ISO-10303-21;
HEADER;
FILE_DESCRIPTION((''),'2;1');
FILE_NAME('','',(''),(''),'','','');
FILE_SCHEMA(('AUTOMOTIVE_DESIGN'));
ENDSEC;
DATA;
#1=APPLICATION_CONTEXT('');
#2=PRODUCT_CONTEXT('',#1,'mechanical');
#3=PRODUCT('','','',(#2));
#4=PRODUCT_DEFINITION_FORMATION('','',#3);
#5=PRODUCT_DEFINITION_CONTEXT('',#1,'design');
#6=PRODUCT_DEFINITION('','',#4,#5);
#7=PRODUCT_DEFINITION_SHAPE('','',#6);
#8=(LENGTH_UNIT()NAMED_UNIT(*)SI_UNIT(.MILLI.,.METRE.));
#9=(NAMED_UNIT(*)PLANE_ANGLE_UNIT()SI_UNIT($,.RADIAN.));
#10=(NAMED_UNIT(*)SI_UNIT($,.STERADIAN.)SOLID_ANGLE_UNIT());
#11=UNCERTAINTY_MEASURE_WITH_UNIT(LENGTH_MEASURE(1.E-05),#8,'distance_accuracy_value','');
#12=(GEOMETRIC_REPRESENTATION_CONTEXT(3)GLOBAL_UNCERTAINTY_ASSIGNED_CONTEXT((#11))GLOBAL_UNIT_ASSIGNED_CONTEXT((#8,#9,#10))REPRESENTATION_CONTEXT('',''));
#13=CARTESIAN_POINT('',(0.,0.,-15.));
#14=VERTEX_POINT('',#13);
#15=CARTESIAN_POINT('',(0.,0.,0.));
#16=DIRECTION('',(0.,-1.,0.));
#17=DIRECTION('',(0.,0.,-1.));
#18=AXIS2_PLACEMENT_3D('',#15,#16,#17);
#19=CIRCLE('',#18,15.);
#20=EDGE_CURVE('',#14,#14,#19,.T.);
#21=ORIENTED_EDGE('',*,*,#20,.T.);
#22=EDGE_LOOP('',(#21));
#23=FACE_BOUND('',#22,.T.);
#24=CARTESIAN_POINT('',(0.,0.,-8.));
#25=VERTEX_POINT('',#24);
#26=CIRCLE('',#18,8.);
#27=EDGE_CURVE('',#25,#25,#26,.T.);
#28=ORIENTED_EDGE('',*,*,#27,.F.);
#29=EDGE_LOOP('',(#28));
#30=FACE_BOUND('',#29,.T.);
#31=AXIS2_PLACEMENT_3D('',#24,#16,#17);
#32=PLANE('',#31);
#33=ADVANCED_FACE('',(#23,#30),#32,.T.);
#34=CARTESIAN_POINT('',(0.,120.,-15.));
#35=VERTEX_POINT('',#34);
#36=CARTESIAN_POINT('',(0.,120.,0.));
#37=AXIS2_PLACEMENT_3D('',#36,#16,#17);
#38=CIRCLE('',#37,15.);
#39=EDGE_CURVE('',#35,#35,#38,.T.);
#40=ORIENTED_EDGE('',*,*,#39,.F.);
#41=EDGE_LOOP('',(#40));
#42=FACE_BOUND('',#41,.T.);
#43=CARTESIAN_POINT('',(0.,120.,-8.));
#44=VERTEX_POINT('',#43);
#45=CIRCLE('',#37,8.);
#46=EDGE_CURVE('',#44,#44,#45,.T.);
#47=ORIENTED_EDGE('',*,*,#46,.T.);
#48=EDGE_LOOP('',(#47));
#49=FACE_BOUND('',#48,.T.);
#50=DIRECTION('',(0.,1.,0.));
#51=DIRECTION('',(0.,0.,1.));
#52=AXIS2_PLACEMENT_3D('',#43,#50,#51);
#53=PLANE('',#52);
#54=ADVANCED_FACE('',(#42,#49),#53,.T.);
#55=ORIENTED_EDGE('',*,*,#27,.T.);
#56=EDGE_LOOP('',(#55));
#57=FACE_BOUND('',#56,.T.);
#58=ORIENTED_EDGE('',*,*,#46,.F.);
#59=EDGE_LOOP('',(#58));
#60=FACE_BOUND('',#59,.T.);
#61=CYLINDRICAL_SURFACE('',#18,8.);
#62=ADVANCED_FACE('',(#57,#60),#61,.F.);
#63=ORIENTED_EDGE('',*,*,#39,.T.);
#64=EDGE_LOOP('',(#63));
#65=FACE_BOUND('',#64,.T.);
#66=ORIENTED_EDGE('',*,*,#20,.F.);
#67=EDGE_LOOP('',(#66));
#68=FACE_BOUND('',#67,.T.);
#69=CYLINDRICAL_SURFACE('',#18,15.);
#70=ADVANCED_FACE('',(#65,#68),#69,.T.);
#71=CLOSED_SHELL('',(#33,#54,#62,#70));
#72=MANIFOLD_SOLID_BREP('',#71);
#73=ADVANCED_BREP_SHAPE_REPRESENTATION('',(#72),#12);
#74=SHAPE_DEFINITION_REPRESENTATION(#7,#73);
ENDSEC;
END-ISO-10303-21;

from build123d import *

# Parameters (mm, degrees)
CROQUIS1_W = 7
CROQUIS1_H = 120


with BuildPart() as part:
    # Croquis1 → Revolución1 (revolve)
    with BuildSketch(Plane(origin=(0, 0, 0), x_dir=(0, 0, -1), z_dir=(1, 0, 0))):
        with Locations((11.5, 60)):
            Rectangle(CROQUIS1_W, CROQUIS1_H)
    revolve(axis=Axis((0, 0, 0), (0, 1, 0)))


solid = part.part
